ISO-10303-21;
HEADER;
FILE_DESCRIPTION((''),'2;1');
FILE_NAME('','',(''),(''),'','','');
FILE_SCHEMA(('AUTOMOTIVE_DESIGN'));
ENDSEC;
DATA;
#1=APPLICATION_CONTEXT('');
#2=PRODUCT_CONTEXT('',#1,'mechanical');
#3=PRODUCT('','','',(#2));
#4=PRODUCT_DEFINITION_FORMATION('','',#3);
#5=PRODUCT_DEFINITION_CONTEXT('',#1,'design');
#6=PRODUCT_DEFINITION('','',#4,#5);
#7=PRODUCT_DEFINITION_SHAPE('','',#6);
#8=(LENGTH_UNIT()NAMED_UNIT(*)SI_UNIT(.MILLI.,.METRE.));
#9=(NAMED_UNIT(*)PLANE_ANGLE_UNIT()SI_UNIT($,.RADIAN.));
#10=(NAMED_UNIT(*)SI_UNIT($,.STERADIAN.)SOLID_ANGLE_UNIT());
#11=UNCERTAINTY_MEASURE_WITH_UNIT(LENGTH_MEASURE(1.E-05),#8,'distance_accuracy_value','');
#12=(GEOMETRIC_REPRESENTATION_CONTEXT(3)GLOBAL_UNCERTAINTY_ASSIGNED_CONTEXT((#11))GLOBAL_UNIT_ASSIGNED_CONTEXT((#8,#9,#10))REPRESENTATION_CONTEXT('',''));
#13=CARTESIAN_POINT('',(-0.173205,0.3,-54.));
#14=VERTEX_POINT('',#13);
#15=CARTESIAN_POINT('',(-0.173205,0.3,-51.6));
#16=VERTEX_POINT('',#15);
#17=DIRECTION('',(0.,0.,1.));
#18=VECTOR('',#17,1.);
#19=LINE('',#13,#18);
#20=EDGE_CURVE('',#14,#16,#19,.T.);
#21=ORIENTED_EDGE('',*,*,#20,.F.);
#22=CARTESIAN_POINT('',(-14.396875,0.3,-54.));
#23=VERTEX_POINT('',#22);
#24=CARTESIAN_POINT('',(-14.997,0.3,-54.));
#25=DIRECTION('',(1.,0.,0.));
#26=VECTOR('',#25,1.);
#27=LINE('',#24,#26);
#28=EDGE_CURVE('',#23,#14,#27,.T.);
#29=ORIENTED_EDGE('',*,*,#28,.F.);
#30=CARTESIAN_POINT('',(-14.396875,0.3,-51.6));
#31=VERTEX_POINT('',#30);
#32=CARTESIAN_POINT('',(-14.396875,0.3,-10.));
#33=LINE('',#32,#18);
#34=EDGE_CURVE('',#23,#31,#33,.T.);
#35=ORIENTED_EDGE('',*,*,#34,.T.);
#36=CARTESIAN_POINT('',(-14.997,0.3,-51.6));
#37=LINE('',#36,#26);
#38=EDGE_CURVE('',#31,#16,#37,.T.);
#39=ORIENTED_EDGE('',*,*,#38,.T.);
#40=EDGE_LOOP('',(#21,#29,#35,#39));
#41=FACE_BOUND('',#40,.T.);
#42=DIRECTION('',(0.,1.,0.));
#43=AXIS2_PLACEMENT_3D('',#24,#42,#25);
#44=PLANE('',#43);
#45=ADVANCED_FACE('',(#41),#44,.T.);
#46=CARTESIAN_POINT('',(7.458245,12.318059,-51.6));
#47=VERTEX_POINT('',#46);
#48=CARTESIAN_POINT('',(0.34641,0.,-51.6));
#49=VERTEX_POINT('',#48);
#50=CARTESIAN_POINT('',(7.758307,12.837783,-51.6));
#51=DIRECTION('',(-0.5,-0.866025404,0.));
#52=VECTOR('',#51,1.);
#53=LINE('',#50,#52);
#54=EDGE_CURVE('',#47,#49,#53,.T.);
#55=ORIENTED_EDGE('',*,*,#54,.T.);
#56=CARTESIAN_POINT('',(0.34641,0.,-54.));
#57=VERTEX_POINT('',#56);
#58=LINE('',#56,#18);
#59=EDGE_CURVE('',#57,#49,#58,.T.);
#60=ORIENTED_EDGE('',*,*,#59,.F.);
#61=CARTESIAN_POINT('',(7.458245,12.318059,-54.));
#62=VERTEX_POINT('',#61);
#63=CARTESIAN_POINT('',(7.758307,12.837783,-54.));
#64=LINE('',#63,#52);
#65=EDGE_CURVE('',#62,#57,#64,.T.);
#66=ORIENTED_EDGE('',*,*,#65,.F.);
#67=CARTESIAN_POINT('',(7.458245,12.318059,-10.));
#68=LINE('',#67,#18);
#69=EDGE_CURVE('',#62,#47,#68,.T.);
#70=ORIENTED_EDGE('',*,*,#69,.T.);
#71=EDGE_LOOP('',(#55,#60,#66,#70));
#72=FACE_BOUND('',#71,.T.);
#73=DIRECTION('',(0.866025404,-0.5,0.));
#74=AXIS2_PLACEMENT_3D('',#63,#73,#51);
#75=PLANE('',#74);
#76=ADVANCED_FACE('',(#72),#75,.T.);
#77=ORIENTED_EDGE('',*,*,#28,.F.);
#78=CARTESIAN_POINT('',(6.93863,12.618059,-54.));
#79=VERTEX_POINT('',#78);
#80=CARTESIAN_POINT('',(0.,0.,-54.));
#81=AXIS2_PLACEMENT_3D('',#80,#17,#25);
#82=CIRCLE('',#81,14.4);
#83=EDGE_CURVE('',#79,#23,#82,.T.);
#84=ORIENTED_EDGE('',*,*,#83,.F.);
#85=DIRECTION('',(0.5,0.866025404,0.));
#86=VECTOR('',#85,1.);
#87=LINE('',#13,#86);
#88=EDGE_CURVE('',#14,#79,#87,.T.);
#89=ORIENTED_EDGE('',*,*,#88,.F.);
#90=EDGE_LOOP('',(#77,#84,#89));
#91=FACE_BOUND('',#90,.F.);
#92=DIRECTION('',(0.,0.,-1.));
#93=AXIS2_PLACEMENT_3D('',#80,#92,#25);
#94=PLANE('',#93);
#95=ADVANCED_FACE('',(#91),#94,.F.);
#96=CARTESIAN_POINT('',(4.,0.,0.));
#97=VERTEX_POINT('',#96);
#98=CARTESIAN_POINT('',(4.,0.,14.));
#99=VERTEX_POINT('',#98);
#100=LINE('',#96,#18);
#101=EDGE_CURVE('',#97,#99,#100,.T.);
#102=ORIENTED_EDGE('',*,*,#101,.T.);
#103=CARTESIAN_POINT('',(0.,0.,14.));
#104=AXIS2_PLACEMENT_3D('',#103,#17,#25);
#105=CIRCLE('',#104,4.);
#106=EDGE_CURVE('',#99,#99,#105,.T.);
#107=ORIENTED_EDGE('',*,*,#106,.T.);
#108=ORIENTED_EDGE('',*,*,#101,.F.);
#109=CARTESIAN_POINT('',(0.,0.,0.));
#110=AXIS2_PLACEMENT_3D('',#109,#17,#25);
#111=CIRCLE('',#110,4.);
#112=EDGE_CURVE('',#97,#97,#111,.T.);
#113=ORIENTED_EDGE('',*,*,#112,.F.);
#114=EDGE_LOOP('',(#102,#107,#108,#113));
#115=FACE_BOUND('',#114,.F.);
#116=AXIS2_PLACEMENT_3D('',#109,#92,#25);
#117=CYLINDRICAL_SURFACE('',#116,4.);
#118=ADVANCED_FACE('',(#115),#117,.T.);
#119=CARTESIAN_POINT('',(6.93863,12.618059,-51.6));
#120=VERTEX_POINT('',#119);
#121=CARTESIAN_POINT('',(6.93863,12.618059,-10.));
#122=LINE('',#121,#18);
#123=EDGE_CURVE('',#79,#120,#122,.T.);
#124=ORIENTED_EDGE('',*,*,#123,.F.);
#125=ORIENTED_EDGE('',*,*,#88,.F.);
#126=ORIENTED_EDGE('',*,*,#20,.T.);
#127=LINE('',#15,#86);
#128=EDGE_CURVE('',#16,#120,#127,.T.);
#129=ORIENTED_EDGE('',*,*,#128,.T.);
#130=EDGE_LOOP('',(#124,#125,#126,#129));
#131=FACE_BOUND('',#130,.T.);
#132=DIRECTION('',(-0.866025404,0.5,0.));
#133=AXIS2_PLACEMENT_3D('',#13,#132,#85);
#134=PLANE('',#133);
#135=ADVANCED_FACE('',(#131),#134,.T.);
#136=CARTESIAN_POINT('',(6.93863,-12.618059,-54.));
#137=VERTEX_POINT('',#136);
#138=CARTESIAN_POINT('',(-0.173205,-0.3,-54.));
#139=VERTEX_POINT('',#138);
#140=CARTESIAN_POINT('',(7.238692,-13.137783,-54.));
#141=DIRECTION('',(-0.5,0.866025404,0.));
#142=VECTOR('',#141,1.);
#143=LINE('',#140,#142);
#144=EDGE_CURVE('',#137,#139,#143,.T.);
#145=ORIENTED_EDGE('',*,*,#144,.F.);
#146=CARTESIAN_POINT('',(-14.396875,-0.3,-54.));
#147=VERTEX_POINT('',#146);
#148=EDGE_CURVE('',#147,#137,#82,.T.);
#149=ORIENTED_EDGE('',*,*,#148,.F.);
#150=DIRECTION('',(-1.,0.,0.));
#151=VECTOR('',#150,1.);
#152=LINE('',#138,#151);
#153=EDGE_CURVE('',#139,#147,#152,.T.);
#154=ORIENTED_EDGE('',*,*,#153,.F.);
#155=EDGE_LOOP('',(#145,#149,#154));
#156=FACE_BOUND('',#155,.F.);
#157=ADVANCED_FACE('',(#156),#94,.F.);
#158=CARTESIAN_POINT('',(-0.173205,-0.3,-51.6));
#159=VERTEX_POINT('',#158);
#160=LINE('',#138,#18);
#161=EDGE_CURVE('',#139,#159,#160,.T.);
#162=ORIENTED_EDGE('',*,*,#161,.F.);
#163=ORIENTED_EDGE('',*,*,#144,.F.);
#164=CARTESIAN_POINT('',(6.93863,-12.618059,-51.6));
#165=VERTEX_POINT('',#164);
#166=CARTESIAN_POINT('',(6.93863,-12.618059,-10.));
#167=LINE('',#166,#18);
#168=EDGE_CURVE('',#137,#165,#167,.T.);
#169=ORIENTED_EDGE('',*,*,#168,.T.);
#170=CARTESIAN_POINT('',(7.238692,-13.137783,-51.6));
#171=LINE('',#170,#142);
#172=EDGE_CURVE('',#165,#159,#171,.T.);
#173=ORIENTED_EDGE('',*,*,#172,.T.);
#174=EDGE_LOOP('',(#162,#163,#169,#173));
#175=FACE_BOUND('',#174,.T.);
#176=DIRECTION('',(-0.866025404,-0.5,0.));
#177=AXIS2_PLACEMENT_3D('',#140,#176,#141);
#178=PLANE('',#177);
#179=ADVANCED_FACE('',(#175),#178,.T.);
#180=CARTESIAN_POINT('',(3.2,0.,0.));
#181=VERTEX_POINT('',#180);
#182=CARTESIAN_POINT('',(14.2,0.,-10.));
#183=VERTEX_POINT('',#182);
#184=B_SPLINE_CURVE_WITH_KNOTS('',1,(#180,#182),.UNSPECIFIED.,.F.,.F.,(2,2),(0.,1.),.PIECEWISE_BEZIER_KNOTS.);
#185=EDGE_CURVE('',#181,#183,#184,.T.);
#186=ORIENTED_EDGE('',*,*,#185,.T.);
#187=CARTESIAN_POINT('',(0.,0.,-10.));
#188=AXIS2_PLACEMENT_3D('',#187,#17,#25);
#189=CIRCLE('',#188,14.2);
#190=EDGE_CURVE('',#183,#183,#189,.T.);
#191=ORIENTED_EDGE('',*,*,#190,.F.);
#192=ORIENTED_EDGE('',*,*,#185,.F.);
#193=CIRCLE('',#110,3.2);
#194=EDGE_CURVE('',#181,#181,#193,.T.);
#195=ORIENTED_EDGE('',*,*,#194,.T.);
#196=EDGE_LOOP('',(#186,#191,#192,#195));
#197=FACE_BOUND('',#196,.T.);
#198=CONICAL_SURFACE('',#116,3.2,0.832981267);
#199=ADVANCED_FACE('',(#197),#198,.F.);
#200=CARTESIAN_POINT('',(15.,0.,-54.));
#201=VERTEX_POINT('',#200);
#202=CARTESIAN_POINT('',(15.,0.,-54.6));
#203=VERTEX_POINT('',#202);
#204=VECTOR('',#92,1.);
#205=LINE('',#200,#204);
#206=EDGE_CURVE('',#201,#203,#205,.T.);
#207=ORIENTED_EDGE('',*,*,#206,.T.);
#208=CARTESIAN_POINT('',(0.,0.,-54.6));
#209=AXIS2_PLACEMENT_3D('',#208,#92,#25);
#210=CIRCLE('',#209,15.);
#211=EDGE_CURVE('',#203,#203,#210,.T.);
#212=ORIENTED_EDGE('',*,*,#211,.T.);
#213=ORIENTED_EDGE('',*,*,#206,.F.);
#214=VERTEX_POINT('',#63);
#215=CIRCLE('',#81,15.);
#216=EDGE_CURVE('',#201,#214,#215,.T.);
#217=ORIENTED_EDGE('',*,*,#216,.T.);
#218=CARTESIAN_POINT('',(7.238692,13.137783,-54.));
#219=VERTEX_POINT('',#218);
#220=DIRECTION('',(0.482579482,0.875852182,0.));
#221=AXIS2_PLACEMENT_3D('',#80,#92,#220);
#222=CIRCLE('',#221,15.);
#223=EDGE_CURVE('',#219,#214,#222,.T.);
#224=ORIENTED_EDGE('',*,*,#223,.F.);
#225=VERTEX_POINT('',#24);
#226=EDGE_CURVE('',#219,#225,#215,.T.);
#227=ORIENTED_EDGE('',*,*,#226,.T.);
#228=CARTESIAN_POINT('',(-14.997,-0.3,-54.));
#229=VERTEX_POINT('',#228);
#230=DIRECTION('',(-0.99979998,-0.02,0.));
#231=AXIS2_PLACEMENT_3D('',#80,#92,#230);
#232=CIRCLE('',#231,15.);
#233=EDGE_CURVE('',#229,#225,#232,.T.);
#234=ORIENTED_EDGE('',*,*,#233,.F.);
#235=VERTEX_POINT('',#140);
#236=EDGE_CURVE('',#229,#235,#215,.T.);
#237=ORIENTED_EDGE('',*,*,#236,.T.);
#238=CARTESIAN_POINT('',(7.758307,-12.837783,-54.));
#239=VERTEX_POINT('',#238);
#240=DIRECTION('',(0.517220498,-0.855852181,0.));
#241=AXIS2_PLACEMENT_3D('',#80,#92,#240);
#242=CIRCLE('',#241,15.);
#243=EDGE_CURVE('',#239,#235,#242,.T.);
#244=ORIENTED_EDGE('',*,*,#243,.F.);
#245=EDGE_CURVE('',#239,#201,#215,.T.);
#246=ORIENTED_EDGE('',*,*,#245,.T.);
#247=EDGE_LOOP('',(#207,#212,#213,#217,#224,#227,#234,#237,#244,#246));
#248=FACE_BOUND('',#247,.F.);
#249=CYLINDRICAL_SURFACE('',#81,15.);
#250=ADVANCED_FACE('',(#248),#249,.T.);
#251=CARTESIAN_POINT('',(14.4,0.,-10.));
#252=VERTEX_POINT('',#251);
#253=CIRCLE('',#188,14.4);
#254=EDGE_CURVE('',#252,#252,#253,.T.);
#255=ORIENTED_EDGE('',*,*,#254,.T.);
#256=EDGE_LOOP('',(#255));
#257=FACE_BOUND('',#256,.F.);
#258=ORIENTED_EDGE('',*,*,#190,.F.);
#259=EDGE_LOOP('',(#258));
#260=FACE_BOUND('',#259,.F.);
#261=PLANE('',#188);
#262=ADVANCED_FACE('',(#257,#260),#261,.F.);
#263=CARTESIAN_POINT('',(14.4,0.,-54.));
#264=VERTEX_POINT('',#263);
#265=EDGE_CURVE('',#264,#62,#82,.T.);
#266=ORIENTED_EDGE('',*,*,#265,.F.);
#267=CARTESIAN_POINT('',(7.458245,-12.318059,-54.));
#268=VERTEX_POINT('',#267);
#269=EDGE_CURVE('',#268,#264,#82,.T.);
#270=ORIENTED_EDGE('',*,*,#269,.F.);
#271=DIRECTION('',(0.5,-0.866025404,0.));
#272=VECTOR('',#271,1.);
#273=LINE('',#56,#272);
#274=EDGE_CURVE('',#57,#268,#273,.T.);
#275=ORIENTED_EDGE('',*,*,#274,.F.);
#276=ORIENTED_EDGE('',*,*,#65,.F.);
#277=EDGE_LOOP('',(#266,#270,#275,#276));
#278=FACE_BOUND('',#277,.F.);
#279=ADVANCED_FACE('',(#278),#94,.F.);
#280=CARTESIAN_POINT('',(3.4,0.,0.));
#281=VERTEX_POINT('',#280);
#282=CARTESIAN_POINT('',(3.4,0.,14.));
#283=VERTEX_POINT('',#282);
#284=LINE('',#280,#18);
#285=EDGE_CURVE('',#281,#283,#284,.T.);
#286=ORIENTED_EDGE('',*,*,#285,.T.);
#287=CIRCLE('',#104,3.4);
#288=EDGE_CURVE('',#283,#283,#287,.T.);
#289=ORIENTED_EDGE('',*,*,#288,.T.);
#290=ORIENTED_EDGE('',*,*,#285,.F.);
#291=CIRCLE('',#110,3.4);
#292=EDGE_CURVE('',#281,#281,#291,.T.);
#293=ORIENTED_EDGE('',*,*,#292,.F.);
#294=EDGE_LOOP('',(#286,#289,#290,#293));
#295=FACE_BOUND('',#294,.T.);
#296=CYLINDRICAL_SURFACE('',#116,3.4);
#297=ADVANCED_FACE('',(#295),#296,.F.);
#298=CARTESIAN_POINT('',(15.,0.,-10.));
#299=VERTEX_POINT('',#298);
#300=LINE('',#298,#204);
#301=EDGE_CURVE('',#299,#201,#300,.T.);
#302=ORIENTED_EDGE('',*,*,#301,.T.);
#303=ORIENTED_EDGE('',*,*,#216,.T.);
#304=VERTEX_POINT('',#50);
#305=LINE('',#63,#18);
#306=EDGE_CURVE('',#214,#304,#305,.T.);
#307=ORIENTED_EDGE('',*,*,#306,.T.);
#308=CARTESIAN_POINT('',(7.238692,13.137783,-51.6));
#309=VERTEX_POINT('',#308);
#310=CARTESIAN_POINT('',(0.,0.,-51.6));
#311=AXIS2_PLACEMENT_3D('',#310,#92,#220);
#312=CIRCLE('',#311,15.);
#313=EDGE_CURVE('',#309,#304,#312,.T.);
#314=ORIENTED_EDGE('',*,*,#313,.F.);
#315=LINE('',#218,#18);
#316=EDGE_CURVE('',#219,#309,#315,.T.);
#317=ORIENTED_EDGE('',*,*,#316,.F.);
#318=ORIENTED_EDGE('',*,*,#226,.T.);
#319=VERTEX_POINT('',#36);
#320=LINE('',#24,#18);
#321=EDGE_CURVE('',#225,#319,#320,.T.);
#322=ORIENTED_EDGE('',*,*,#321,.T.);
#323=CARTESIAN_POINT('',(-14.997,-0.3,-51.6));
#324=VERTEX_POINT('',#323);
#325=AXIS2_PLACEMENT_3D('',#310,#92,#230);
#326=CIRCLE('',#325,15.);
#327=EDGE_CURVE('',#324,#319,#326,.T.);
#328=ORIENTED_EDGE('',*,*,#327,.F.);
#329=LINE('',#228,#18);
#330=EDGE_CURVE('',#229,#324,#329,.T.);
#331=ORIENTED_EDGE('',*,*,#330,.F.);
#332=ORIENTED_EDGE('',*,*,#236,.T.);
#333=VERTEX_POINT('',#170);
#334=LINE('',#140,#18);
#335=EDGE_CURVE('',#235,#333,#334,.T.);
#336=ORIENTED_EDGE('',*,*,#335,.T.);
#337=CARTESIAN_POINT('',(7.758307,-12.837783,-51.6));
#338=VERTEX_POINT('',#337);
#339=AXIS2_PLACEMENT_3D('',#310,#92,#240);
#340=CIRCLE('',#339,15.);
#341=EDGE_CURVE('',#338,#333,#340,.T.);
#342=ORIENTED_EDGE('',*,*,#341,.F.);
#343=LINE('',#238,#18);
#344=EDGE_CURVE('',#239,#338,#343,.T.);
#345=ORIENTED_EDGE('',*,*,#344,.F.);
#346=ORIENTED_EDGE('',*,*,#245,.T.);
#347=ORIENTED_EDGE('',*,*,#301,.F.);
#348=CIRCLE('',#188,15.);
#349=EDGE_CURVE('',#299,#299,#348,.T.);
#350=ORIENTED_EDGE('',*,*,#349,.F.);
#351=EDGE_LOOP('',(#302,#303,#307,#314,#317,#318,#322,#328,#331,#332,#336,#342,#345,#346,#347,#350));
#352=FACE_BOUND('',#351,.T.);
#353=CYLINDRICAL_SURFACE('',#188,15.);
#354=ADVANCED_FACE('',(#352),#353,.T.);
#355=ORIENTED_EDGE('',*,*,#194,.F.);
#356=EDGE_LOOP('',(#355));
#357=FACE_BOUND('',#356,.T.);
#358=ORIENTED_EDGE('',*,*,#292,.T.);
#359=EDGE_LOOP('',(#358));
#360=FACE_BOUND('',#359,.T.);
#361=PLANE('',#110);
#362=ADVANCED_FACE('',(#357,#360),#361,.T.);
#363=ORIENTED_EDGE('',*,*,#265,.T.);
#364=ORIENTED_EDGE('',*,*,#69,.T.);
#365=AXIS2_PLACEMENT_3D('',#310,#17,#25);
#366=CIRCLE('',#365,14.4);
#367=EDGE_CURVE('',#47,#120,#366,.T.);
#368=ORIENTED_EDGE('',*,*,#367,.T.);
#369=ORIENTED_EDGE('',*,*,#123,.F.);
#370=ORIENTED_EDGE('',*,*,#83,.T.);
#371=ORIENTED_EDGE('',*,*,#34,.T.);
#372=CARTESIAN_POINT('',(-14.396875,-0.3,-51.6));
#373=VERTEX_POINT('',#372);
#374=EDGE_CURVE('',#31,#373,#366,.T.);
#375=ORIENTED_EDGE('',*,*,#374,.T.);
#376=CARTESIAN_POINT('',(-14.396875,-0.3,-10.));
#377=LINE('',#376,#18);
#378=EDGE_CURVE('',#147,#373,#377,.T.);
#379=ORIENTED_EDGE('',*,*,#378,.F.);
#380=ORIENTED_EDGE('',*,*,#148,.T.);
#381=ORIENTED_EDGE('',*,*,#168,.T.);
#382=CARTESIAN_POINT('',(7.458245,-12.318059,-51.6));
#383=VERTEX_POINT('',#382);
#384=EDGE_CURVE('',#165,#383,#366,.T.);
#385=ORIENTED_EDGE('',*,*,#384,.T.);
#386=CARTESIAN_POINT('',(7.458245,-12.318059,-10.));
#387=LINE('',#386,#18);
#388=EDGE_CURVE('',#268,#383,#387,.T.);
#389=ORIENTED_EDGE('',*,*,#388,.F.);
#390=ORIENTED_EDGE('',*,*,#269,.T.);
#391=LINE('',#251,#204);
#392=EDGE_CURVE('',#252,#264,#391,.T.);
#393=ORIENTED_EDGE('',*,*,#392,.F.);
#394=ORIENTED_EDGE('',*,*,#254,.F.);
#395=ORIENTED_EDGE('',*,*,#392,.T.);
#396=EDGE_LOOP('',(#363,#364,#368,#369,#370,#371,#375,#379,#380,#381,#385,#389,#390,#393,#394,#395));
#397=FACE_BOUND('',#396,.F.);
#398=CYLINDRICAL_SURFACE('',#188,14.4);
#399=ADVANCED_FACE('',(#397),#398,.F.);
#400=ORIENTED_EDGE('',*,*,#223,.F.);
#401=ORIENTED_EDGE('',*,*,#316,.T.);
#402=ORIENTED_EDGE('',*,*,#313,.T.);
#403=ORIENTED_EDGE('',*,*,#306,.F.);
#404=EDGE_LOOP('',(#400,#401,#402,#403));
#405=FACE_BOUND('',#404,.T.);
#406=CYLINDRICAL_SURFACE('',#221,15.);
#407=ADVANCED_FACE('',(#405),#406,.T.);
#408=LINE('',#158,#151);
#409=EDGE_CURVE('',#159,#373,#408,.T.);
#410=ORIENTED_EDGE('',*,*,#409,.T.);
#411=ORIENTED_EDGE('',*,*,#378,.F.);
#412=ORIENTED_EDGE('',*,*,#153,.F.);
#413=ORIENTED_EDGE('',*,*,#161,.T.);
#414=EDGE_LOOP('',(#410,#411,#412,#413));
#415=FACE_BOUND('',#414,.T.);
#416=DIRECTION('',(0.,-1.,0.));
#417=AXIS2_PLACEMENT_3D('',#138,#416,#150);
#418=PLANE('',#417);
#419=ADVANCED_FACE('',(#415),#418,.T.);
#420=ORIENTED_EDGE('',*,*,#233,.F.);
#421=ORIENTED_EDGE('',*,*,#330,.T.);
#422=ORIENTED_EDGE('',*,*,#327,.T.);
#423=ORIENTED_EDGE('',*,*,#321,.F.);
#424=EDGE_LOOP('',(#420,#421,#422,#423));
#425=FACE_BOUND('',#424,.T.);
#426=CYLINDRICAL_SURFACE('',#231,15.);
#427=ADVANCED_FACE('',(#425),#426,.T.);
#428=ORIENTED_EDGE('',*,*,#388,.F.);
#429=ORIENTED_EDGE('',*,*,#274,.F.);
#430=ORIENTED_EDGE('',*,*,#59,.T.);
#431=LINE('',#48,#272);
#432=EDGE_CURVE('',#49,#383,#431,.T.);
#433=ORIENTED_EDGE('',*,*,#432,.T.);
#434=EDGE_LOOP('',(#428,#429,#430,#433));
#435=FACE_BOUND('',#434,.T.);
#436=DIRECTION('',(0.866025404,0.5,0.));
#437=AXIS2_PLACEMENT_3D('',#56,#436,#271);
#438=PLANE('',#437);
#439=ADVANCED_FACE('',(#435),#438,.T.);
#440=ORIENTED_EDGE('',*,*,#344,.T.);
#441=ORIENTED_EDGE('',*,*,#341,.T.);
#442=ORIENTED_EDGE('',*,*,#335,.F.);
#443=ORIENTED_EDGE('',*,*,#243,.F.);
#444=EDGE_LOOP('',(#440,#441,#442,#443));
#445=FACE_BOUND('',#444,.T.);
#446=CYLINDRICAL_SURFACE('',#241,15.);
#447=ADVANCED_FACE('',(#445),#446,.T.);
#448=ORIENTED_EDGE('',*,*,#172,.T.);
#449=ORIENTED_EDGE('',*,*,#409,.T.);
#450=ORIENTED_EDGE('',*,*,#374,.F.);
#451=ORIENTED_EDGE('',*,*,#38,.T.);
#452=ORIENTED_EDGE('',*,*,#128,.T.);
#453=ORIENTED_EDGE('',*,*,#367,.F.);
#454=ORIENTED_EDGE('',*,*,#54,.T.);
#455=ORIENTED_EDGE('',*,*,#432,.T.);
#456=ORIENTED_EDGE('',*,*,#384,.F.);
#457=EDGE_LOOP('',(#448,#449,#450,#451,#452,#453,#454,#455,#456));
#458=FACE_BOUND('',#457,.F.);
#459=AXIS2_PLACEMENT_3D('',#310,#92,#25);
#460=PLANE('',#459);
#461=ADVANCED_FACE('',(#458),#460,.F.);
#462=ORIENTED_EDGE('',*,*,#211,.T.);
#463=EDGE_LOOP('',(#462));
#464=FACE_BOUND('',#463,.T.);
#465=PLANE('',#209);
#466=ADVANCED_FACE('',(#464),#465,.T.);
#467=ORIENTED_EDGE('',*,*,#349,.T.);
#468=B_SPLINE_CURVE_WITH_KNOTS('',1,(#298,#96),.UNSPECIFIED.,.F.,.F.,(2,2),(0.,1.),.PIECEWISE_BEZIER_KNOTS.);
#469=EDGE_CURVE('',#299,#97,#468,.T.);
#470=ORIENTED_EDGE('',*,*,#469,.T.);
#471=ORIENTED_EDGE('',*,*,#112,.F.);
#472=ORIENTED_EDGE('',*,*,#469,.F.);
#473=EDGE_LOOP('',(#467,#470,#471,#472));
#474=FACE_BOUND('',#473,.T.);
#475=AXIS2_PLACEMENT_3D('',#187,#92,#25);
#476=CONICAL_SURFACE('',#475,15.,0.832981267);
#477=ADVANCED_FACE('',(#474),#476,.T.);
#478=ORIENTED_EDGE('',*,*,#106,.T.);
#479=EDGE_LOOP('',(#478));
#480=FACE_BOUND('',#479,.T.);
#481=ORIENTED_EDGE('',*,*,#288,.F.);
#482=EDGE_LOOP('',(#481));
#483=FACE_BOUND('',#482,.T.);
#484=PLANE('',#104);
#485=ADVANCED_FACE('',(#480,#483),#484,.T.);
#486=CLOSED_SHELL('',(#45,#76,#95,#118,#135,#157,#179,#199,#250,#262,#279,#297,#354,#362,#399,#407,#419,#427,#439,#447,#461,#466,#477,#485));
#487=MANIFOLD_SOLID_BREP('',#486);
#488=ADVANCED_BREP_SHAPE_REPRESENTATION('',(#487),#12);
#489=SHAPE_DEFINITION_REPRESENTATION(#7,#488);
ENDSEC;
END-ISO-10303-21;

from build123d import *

# Parameters (mm, degrees)
F2_R      = 4
F2_R_2    = 3.4
F5_DEPTH  = 14
F7_R      = 15
F3_R      = 4
F4_R      = 3.2
F8_R      = 14.2
F6_R      = 15
F6_R_2    = 14.4
F11_DEPTH = 44
F14_DEPTH = 2.4
F15_R     = 15
F16_DEPTH = 0.6


with BuildPart() as f5:
    # F2 (on Top) → F5 (new body)
    with BuildSketch(Plane.XY):
        Circle(F2_R)
        Circle(F2_R_2, mode=Mode.SUBTRACT)
    extrude(amount=F5_DEPTH)

    # F7 (on offset) → F9 section 0
    with BuildSketch(Plane.XY.offset(-10)):
        Circle(F7_R)
    # F3 (on Top) → F9 section 1
    with BuildSketch(Plane.XY):
        Circle(F3_R)
    loft()

    # F4 (on Top) → F10 section 0
    with BuildSketch(Plane.XY):
        Circle(F4_R)
    # F8 (on offset) → F10 section 1
    with BuildSketch(Plane.XY.offset(-10)):
        Circle(F8_R)
    loft(mode=Mode.SUBTRACT)

    # F6 (on offset) → F11 (join)
    with BuildSketch(Plane.XY.offset(-10)):
        Circle(F6_R)
        Circle(F6_R_2, mode=Mode.SUBTRACT)
    extrude(amount=-F11_DEPTH)

    # F13 (on offset) → F14 (join)
    with BuildSketch(Plane(origin=(0, 0, -54), x_dir=(1, 0, 0), z_dir=(0, 0, -1))):
        with BuildLine():
            Line((0.3464101615, 0), (7.7583074711, 12.8377827207))
            ThreePointArc((7.7583074711, 12.8377827207), (7.5, 12.9903810568), (7.2386922288, 13.1377827207))
            Line((7.2386922288, 13.1377827207), (-0.1732050808, 0.3))
            Line((-0.1732050808, 0.3), (-14.9969996999, 0.3))
            ThreePointArc((-14.9969996999, 0.3), (-15, 0), (-14.9969996999, -0.3))
            Line((-14.9969996999, -0.3), (-0.1732050808, -0.3))
            Line((-0.1732050808, -0.3), (7.2386922288, -13.1377827207))
            ThreePointArc((7.2386922288, -13.1377827207), (7.5, -12.9903810568), (7.7583074711, -12.8377827207))
            Line((7.7583074711, -12.8377827207), (0.3464101615, 0))
        make_face()
    extrude(amount=-F14_DEPTH)

    # F15 (on offset) → F16 (join)
    with BuildSketch(Plane(origin=(0, 0, -54), x_dir=(1, 0, 0), z_dir=(0, 0, -1))):
        Circle(F15_R)
    extrude(amount=F16_DEPTH)


solid = f5.part
